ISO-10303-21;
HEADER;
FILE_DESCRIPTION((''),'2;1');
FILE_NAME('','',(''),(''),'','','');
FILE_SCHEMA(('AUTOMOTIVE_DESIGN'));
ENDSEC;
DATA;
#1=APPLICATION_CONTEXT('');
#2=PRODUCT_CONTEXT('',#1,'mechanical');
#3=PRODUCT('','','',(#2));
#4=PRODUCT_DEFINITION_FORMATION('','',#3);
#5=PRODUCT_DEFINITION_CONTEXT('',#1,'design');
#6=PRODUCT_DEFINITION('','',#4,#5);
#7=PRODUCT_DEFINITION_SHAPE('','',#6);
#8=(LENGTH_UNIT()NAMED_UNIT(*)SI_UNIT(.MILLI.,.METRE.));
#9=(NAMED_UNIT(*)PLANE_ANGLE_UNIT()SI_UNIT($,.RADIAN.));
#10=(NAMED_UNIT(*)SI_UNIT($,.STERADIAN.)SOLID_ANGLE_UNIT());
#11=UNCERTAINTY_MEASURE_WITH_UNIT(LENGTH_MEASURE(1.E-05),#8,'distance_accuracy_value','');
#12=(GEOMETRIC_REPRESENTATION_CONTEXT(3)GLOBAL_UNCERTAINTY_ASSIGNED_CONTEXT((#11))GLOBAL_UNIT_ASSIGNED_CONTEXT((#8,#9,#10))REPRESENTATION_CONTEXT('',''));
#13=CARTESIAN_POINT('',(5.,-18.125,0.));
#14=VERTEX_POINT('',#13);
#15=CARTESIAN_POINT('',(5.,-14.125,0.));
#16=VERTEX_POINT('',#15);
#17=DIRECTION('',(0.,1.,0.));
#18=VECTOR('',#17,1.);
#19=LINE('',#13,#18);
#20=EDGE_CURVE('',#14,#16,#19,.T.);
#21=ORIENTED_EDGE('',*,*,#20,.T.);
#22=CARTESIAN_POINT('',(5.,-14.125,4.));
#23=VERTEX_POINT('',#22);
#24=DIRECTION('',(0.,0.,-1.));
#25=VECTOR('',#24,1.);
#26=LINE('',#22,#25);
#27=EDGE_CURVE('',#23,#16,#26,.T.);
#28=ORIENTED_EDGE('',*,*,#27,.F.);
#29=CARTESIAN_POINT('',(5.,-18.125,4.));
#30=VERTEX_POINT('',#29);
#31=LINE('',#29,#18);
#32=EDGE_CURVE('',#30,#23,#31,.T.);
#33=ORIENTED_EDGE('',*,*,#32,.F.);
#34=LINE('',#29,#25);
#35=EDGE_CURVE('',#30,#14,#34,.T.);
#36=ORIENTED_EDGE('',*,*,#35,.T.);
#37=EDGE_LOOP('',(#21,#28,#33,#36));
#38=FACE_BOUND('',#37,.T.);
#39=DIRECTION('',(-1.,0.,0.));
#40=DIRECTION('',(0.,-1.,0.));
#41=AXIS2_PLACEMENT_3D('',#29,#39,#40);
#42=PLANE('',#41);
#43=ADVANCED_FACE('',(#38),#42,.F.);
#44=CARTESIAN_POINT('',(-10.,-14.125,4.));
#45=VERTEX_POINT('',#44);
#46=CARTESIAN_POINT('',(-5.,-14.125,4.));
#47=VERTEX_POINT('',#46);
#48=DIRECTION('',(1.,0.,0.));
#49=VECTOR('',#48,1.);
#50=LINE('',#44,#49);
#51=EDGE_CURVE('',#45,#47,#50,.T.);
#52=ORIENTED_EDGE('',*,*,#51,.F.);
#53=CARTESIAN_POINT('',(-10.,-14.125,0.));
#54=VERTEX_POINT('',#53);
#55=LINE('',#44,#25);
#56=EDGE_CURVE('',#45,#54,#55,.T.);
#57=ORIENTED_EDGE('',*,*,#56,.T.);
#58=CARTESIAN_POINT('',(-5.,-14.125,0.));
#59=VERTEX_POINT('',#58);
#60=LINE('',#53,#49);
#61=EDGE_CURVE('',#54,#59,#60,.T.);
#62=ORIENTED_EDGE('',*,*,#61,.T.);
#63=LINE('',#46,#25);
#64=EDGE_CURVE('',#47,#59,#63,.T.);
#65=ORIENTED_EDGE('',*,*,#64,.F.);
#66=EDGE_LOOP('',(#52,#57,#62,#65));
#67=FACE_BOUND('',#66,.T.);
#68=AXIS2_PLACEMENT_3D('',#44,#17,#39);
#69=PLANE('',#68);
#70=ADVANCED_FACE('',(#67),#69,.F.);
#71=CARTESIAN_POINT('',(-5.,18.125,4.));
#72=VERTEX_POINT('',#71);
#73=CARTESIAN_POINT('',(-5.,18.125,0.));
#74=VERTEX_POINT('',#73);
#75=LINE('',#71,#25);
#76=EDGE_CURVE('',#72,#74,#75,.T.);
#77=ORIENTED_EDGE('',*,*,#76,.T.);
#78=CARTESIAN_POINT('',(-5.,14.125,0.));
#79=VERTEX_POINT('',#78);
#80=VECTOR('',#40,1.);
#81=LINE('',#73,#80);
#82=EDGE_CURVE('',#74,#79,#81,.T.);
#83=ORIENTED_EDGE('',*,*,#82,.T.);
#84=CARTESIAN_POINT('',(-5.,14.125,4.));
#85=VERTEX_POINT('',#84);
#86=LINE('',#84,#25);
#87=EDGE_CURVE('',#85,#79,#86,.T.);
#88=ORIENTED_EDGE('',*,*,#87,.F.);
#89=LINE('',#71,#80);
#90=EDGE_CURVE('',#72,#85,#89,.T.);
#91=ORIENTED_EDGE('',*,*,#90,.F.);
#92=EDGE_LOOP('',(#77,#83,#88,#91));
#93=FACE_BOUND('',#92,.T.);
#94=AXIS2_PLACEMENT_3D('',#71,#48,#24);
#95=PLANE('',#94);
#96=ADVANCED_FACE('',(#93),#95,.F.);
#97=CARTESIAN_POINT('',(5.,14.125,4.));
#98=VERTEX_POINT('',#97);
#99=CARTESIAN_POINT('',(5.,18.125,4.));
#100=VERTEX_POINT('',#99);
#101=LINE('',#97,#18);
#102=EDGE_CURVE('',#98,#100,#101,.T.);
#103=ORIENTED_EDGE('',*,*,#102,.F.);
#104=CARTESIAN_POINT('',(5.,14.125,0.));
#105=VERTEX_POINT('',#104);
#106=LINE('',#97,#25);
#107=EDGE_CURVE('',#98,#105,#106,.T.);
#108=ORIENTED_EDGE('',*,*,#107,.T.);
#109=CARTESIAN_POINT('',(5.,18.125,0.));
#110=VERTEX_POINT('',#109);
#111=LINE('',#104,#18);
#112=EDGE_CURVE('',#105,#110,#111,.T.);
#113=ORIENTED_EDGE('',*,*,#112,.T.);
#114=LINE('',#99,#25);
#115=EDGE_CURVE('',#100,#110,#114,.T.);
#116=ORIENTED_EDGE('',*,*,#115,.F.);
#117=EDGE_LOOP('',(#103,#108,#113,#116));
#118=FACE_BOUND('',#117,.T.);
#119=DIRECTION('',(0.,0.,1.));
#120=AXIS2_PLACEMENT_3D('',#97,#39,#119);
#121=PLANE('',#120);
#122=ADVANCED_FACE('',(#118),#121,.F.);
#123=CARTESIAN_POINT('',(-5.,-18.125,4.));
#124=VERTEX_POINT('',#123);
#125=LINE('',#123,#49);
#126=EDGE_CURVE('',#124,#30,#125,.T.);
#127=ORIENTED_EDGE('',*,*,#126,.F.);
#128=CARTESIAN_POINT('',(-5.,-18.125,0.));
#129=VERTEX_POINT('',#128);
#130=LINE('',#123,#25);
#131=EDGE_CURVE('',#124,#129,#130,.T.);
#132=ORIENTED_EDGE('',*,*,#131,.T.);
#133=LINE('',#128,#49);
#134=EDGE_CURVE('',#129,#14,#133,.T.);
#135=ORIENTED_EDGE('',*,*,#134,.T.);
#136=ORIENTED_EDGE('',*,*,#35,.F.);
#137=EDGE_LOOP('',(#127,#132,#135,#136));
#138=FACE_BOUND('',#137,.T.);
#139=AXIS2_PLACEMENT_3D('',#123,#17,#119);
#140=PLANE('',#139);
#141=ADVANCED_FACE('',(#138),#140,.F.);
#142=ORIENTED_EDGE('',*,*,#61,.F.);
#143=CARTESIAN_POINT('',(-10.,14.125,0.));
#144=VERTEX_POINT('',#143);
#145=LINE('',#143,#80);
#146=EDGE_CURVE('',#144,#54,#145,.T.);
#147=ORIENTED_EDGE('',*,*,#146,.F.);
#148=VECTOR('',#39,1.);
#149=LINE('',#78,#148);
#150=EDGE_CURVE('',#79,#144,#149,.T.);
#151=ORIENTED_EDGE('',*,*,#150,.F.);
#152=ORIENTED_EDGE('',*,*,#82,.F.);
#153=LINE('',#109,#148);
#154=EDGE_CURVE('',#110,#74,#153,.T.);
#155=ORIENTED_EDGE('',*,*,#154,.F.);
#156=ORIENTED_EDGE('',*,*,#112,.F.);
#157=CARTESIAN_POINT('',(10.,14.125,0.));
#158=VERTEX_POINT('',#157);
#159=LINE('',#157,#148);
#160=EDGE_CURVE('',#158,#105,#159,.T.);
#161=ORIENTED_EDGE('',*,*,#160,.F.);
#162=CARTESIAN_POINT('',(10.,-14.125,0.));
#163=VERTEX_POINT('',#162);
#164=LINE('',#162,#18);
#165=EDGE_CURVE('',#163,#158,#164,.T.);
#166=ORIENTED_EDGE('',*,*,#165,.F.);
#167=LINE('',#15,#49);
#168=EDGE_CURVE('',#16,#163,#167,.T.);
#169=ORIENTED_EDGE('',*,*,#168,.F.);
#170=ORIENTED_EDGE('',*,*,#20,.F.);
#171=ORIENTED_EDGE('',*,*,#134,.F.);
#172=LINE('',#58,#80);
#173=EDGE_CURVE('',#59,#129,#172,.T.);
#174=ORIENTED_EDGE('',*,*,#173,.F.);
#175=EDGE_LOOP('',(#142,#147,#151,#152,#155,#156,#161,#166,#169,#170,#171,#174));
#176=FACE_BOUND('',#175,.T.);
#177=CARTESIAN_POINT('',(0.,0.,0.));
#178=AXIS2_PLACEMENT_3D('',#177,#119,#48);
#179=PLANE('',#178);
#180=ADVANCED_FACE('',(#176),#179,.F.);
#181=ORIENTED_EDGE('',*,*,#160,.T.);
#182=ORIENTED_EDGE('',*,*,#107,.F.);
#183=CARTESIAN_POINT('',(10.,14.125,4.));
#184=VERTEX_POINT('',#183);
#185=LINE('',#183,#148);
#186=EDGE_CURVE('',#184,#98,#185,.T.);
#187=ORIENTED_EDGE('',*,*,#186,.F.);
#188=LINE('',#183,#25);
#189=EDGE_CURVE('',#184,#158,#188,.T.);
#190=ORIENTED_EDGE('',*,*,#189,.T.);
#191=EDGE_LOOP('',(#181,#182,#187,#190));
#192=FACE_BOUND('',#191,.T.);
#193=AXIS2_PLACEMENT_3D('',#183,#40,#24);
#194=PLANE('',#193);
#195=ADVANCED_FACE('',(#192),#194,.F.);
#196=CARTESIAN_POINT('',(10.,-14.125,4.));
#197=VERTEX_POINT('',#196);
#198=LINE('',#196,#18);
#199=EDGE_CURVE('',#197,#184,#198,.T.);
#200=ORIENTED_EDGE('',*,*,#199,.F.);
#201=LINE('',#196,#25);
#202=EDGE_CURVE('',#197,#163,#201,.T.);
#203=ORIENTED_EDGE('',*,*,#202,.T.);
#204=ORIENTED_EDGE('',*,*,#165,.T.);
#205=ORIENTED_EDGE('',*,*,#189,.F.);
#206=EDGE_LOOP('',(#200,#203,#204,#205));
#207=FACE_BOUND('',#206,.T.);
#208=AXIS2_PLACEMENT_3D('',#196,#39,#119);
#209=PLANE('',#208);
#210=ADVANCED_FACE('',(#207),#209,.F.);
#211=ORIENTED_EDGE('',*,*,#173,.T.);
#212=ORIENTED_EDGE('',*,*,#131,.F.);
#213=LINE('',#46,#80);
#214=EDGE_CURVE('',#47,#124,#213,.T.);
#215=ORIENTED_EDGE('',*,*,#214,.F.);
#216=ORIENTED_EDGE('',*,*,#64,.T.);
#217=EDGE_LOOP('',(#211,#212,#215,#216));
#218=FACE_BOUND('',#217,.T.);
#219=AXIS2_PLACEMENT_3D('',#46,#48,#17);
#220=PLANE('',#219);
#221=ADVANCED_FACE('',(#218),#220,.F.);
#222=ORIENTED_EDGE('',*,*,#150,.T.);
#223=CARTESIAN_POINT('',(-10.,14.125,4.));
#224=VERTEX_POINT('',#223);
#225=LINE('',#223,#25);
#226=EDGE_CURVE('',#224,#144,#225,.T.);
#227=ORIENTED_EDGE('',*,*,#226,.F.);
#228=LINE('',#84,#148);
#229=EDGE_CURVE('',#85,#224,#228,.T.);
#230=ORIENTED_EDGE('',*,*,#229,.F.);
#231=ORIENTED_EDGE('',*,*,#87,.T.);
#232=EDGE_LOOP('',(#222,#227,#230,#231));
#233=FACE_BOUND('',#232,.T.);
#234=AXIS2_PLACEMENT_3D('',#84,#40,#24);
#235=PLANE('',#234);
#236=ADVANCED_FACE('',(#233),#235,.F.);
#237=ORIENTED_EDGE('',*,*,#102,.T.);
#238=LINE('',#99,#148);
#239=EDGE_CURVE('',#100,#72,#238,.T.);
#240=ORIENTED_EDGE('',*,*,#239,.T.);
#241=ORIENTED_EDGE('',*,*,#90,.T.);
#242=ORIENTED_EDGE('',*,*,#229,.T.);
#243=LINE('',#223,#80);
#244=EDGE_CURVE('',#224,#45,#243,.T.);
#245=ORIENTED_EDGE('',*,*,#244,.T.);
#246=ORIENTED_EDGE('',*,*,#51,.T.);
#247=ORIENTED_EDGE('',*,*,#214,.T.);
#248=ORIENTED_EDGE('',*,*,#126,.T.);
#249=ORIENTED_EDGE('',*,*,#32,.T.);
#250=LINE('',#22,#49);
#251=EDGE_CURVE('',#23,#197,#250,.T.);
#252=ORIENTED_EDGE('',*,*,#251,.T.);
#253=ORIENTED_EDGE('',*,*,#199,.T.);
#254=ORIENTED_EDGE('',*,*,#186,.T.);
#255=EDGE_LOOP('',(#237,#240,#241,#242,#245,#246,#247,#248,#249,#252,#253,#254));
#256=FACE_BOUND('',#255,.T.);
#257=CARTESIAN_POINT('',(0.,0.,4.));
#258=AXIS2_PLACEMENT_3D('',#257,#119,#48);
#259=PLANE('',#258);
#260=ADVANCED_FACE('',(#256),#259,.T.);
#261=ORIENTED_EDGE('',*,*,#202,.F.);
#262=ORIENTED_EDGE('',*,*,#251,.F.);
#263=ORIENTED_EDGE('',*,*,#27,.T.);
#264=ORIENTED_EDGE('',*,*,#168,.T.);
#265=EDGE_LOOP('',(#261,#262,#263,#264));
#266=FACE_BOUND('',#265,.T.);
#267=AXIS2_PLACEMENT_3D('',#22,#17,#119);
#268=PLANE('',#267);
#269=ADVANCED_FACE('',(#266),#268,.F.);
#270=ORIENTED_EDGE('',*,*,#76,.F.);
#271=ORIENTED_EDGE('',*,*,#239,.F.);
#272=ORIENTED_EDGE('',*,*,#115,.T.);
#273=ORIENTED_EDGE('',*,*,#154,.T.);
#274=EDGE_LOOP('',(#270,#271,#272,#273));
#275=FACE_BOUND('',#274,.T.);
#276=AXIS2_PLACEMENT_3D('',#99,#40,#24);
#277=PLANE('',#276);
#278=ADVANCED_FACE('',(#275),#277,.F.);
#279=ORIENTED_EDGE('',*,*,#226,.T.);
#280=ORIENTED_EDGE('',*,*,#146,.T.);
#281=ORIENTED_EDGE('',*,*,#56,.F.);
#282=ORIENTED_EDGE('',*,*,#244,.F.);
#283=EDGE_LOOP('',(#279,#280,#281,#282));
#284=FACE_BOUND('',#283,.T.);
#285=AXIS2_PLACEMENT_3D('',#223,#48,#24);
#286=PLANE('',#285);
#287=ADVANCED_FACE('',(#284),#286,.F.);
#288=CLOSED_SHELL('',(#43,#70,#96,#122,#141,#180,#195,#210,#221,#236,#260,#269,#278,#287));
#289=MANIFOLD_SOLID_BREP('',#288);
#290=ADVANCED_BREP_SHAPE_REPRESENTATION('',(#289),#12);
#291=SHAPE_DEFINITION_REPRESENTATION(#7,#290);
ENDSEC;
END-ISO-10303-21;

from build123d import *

# Parameters (mm, degrees)
BOSS_EXTRUDE1_DEPTH = 4


with BuildPart() as part:
    # Sketch1 → Boss-Extrude1 (new body)
    with BuildSketch(Plane.XY):
        Polygon((-10, 14.125), (-10, -14.125), (-5, -14.125), (-5, -18.125), (5, -18.125), (5, -14.125), (10, -14.125), (10, 14.125), (5, 14.125), (5, 18.125), (-5, 18.125), (-5, 14.125), align=None)
    extrude(amount=BOSS_EXTRUDE1_DEPTH)


solid = part.part
